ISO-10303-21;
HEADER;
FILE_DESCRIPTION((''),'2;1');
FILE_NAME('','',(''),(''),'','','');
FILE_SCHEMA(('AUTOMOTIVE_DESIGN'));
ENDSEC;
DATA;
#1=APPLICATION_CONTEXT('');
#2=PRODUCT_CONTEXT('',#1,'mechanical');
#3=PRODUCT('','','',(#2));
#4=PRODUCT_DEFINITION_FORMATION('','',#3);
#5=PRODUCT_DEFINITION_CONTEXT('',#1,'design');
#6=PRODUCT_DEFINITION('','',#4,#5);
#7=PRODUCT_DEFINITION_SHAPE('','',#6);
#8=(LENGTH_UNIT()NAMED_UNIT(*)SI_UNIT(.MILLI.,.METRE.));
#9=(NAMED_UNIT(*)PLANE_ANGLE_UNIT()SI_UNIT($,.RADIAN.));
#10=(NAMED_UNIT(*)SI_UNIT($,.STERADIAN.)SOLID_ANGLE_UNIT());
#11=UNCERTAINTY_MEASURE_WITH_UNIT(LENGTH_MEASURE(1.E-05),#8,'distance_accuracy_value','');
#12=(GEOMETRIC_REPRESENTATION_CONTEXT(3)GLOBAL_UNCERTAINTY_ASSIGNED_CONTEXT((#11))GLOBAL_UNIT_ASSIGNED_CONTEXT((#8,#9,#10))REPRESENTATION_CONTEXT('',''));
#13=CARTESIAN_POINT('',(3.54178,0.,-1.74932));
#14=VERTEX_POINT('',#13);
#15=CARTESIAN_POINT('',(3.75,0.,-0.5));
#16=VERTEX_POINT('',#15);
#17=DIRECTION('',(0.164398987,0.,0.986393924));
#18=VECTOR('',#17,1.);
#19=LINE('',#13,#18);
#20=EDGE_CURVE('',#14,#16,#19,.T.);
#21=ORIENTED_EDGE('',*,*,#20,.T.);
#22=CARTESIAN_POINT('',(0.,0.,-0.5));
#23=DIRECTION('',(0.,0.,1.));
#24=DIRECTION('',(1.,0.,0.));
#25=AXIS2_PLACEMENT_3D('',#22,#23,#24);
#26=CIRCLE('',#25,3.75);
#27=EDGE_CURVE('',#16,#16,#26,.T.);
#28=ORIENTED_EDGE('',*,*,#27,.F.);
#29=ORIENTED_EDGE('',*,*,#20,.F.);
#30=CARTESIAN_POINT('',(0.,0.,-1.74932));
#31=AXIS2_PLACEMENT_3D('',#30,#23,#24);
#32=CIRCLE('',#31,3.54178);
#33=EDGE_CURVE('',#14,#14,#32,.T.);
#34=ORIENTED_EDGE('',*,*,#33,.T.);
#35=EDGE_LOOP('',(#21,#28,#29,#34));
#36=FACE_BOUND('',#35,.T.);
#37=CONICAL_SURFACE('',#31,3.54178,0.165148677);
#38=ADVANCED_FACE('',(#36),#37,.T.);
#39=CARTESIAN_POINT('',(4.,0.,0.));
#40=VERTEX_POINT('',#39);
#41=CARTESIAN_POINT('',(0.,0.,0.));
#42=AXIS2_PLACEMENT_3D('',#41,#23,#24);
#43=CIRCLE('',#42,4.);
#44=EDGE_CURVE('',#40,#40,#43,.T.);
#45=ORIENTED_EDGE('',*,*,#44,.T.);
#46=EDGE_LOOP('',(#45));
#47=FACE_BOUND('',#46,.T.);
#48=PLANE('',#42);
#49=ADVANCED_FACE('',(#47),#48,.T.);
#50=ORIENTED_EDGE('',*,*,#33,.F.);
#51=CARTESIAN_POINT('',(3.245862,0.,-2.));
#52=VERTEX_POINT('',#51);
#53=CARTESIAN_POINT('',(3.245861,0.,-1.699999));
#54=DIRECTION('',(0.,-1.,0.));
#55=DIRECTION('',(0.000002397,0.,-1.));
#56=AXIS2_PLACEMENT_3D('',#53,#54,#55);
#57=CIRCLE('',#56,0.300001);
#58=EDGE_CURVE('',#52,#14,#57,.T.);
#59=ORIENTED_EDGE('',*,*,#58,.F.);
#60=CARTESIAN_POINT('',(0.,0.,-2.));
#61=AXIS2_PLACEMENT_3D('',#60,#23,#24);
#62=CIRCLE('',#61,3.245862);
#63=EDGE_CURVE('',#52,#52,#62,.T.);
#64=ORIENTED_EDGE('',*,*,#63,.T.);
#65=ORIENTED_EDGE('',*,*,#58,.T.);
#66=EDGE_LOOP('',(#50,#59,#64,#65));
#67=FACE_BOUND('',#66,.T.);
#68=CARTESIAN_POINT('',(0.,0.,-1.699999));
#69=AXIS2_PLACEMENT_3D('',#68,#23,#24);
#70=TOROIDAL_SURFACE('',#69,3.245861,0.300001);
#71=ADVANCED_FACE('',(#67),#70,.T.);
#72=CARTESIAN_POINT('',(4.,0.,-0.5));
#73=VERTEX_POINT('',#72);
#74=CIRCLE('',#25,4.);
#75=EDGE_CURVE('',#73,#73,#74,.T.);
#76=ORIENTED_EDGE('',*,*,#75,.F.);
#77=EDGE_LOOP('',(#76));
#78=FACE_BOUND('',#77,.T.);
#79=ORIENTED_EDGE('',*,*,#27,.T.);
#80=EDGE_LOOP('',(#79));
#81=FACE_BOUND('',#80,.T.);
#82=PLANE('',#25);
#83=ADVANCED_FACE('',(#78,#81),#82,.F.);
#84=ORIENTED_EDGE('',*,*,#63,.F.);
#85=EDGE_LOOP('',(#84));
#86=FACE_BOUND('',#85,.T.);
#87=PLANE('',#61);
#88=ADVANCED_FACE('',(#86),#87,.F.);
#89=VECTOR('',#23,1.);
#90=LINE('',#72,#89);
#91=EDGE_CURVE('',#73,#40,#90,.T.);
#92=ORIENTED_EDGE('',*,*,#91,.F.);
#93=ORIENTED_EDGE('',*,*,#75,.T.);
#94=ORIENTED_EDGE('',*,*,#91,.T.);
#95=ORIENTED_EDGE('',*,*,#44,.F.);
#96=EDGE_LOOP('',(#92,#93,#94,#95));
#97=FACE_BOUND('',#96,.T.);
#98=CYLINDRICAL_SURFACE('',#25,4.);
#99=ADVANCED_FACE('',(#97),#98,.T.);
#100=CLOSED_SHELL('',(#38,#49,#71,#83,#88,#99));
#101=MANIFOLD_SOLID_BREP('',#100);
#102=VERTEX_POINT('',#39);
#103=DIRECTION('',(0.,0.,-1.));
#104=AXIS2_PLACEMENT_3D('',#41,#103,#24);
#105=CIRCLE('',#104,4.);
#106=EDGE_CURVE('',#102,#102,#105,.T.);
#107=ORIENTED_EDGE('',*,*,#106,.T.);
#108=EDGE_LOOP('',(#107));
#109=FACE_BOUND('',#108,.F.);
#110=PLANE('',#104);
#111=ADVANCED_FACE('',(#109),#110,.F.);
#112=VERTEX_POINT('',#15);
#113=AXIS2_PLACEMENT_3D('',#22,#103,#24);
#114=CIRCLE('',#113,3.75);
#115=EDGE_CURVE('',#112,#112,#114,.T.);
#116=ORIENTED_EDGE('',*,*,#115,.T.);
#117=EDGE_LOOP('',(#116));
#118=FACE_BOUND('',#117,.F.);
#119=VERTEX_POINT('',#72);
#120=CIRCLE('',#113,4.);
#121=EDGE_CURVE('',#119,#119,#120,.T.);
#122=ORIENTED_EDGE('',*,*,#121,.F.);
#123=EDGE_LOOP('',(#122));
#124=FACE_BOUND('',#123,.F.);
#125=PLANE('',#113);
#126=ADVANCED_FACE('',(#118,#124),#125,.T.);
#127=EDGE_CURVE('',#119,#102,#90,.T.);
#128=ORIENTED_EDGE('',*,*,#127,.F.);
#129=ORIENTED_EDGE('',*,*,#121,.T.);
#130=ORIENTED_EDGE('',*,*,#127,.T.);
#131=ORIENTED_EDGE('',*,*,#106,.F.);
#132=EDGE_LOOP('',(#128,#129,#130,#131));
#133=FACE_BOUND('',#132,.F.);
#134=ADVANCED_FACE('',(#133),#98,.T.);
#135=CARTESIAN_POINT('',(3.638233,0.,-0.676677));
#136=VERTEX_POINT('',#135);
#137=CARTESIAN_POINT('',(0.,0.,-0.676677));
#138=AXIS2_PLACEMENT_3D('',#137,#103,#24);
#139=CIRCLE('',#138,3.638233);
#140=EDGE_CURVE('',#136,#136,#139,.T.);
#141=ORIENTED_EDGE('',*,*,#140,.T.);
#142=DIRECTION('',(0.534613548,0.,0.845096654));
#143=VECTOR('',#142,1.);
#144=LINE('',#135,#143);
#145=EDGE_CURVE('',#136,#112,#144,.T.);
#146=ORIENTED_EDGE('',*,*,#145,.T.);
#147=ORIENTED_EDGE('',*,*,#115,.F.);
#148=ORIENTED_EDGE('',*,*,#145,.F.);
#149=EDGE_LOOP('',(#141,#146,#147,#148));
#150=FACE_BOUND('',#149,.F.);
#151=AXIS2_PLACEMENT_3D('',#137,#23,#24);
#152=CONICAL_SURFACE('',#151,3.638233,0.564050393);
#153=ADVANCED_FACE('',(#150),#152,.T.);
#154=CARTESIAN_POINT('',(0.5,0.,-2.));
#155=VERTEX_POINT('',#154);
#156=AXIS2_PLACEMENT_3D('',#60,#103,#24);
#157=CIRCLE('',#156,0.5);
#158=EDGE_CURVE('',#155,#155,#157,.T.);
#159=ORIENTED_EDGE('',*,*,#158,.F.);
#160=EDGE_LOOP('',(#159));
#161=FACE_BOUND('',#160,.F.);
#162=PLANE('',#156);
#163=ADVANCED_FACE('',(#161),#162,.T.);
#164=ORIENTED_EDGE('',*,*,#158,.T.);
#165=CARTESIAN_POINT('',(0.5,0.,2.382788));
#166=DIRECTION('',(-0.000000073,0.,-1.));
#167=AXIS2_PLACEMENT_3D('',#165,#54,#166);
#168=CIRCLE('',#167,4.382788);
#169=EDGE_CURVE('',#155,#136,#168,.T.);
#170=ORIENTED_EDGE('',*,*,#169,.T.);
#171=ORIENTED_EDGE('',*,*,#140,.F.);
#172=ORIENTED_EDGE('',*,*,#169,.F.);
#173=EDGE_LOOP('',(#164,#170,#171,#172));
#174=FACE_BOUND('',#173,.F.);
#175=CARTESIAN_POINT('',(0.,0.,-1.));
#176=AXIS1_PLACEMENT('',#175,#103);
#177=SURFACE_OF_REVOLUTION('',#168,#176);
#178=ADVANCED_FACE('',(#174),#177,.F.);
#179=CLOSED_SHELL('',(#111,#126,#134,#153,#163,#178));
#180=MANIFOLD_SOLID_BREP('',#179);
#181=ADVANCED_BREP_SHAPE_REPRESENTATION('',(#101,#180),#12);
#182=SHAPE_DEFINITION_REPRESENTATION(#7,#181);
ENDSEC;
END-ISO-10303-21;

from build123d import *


with BuildPart() as f1:
    # F0 (on Front) → F1 (revolve)
    with BuildSketch(Plane.XZ):
        with BuildLine():
            Line((4, 0), (0, 0))
            Line((0, 0), (0, -2))
            Line((0, -2), (3.245862, -2))
            ThreePointArc((3.245862, -2), (3.439774, -1.928906), (3.54178, -1.74932))
            Line((3.54178, -1.74932), (3.75, -0.5))
            Line((3.75, -0.5), (4, -0.5))
            Line((4, -0.5), (4, 0))
        make_face()
    revolve(axis=Axis((0, 0, -1), (0, 0, 1)))


with BuildPart() as f3:
    # F2 (on Front) → F3 (revolve)
    with BuildSketch(Plane.XZ):
        with BuildLine():
            Line((4, 0), (0, 0))
            Line((0, 0), (0, -2))
            Line((0, -2), (0.5, -2))
            ThreePointArc((0.5, -2), (2.202916, -1.655641), (3.638233, -0.676677))
            Line((3.638233, -0.676677), (3.75, -0.5))
            Line((3.75, -0.5), (4, -0.5))
            Line((4, -0.5), (4, 0))
        make_face()
    revolve(axis=Axis((0, 0, -1), (0, 0, -1)))


solid = Compound([f1.part, f3.part])
